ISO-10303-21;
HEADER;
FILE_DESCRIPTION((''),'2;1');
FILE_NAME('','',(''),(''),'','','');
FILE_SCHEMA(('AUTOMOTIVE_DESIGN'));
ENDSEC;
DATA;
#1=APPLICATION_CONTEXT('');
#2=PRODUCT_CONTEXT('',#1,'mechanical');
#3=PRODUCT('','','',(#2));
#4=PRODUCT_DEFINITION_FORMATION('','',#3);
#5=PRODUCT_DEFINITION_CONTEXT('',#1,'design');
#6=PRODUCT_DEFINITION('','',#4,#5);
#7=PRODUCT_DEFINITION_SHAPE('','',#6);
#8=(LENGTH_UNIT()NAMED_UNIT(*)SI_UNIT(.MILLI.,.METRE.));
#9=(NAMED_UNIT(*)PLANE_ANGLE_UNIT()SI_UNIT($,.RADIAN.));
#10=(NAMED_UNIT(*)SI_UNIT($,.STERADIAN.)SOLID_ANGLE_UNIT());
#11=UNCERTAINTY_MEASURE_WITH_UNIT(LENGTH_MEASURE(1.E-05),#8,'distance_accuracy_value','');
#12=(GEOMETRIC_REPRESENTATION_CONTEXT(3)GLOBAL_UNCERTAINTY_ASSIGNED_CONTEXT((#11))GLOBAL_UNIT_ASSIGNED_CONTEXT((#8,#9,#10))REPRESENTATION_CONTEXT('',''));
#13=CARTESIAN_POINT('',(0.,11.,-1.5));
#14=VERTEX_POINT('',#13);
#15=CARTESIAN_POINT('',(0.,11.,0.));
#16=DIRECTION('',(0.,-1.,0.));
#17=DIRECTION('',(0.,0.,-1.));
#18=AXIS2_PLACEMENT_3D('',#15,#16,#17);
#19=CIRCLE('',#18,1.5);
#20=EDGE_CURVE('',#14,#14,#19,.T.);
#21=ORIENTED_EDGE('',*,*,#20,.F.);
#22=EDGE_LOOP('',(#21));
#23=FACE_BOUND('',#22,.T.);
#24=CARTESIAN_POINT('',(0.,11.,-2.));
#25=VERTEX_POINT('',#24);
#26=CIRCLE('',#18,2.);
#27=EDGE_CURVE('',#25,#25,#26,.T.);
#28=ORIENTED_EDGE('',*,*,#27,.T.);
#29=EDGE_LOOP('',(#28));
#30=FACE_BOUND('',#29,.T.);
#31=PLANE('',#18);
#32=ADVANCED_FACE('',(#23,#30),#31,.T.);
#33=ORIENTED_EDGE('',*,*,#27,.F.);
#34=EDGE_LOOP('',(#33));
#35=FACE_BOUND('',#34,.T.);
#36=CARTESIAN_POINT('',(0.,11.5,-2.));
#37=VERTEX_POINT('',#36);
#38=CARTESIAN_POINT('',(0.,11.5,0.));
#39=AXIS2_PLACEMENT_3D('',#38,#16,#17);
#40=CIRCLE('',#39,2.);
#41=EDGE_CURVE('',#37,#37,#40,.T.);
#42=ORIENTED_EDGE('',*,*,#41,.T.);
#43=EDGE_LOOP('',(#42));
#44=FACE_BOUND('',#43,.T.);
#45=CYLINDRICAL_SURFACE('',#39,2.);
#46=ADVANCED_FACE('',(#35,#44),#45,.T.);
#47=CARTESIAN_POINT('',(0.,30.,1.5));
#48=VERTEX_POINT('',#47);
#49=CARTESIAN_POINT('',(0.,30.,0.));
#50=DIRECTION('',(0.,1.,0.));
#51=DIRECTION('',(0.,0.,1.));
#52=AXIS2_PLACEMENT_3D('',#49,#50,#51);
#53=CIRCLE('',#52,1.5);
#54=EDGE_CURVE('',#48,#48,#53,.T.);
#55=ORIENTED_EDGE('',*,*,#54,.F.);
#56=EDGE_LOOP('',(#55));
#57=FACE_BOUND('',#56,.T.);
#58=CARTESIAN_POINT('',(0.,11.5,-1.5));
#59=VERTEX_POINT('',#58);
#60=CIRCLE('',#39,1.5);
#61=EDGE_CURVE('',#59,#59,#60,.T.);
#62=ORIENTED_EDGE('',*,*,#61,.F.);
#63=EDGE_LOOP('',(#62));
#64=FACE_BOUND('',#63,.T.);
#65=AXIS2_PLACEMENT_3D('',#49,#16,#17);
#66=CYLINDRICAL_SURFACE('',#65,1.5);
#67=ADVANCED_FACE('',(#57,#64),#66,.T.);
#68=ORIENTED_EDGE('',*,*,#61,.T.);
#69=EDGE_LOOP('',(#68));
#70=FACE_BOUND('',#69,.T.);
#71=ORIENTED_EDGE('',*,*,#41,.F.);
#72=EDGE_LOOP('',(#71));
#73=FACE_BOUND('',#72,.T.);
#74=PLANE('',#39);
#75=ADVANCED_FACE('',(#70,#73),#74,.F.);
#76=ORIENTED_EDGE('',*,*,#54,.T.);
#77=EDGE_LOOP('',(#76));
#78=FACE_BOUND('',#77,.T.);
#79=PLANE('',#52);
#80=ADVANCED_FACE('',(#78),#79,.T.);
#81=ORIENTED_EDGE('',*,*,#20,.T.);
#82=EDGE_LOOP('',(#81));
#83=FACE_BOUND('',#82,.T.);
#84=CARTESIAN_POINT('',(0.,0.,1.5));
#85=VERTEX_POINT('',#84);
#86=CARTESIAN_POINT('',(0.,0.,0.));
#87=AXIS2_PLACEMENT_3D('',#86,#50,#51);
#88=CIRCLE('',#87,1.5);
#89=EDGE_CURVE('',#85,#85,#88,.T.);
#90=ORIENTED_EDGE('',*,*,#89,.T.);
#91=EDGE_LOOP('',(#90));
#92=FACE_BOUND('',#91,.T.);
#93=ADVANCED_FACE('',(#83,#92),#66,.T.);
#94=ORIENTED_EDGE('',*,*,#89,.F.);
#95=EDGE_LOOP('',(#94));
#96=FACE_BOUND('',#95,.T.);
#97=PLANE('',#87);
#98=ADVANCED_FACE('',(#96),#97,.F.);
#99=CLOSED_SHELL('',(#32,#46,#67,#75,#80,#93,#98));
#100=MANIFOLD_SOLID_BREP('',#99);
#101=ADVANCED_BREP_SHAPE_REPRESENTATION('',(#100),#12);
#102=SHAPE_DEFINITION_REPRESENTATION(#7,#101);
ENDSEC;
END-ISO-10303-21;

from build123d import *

# Parameters (mm, degrees)
SKETCH_1_R      = 1.5
EXTRUDE_1_DEPTH = 30
EXTRUDE_START   = -11
SKETCH_2_R      = 2
SKETCH_2_R_2    = 1.5
EXTRUDE_2_DEPTH = 0.5


with BuildPart() as part:
    # 草图1 → 凸台-拉伸1 (new body)
    with BuildSketch(Plane(origin=(0, 0, 0), x_dir=(1, 0, 0), z_dir=(0, 1, 0))):
        with Locations(Location((0, 0, 0), (0, 0, 270))):
            Circle(SKETCH_1_R)
    extrude(amount=EXTRUDE_1_DEPTH)

    # 草图2 → 凸台-拉伸2 (add)
    with BuildSketch(Plane.XZ.offset(EXTRUDE_START)):
        with Locations(Location((0, 0, 0), (0, 0, 270))):
            Circle(SKETCH_2_R)
        with Locations(Location((0, 0, 0), (0, 0, 270))):
            Circle(SKETCH_2_R_2, mode=Mode.SUBTRACT)
    extrude(amount=-EXTRUDE_2_DEPTH)


solid = part.part
